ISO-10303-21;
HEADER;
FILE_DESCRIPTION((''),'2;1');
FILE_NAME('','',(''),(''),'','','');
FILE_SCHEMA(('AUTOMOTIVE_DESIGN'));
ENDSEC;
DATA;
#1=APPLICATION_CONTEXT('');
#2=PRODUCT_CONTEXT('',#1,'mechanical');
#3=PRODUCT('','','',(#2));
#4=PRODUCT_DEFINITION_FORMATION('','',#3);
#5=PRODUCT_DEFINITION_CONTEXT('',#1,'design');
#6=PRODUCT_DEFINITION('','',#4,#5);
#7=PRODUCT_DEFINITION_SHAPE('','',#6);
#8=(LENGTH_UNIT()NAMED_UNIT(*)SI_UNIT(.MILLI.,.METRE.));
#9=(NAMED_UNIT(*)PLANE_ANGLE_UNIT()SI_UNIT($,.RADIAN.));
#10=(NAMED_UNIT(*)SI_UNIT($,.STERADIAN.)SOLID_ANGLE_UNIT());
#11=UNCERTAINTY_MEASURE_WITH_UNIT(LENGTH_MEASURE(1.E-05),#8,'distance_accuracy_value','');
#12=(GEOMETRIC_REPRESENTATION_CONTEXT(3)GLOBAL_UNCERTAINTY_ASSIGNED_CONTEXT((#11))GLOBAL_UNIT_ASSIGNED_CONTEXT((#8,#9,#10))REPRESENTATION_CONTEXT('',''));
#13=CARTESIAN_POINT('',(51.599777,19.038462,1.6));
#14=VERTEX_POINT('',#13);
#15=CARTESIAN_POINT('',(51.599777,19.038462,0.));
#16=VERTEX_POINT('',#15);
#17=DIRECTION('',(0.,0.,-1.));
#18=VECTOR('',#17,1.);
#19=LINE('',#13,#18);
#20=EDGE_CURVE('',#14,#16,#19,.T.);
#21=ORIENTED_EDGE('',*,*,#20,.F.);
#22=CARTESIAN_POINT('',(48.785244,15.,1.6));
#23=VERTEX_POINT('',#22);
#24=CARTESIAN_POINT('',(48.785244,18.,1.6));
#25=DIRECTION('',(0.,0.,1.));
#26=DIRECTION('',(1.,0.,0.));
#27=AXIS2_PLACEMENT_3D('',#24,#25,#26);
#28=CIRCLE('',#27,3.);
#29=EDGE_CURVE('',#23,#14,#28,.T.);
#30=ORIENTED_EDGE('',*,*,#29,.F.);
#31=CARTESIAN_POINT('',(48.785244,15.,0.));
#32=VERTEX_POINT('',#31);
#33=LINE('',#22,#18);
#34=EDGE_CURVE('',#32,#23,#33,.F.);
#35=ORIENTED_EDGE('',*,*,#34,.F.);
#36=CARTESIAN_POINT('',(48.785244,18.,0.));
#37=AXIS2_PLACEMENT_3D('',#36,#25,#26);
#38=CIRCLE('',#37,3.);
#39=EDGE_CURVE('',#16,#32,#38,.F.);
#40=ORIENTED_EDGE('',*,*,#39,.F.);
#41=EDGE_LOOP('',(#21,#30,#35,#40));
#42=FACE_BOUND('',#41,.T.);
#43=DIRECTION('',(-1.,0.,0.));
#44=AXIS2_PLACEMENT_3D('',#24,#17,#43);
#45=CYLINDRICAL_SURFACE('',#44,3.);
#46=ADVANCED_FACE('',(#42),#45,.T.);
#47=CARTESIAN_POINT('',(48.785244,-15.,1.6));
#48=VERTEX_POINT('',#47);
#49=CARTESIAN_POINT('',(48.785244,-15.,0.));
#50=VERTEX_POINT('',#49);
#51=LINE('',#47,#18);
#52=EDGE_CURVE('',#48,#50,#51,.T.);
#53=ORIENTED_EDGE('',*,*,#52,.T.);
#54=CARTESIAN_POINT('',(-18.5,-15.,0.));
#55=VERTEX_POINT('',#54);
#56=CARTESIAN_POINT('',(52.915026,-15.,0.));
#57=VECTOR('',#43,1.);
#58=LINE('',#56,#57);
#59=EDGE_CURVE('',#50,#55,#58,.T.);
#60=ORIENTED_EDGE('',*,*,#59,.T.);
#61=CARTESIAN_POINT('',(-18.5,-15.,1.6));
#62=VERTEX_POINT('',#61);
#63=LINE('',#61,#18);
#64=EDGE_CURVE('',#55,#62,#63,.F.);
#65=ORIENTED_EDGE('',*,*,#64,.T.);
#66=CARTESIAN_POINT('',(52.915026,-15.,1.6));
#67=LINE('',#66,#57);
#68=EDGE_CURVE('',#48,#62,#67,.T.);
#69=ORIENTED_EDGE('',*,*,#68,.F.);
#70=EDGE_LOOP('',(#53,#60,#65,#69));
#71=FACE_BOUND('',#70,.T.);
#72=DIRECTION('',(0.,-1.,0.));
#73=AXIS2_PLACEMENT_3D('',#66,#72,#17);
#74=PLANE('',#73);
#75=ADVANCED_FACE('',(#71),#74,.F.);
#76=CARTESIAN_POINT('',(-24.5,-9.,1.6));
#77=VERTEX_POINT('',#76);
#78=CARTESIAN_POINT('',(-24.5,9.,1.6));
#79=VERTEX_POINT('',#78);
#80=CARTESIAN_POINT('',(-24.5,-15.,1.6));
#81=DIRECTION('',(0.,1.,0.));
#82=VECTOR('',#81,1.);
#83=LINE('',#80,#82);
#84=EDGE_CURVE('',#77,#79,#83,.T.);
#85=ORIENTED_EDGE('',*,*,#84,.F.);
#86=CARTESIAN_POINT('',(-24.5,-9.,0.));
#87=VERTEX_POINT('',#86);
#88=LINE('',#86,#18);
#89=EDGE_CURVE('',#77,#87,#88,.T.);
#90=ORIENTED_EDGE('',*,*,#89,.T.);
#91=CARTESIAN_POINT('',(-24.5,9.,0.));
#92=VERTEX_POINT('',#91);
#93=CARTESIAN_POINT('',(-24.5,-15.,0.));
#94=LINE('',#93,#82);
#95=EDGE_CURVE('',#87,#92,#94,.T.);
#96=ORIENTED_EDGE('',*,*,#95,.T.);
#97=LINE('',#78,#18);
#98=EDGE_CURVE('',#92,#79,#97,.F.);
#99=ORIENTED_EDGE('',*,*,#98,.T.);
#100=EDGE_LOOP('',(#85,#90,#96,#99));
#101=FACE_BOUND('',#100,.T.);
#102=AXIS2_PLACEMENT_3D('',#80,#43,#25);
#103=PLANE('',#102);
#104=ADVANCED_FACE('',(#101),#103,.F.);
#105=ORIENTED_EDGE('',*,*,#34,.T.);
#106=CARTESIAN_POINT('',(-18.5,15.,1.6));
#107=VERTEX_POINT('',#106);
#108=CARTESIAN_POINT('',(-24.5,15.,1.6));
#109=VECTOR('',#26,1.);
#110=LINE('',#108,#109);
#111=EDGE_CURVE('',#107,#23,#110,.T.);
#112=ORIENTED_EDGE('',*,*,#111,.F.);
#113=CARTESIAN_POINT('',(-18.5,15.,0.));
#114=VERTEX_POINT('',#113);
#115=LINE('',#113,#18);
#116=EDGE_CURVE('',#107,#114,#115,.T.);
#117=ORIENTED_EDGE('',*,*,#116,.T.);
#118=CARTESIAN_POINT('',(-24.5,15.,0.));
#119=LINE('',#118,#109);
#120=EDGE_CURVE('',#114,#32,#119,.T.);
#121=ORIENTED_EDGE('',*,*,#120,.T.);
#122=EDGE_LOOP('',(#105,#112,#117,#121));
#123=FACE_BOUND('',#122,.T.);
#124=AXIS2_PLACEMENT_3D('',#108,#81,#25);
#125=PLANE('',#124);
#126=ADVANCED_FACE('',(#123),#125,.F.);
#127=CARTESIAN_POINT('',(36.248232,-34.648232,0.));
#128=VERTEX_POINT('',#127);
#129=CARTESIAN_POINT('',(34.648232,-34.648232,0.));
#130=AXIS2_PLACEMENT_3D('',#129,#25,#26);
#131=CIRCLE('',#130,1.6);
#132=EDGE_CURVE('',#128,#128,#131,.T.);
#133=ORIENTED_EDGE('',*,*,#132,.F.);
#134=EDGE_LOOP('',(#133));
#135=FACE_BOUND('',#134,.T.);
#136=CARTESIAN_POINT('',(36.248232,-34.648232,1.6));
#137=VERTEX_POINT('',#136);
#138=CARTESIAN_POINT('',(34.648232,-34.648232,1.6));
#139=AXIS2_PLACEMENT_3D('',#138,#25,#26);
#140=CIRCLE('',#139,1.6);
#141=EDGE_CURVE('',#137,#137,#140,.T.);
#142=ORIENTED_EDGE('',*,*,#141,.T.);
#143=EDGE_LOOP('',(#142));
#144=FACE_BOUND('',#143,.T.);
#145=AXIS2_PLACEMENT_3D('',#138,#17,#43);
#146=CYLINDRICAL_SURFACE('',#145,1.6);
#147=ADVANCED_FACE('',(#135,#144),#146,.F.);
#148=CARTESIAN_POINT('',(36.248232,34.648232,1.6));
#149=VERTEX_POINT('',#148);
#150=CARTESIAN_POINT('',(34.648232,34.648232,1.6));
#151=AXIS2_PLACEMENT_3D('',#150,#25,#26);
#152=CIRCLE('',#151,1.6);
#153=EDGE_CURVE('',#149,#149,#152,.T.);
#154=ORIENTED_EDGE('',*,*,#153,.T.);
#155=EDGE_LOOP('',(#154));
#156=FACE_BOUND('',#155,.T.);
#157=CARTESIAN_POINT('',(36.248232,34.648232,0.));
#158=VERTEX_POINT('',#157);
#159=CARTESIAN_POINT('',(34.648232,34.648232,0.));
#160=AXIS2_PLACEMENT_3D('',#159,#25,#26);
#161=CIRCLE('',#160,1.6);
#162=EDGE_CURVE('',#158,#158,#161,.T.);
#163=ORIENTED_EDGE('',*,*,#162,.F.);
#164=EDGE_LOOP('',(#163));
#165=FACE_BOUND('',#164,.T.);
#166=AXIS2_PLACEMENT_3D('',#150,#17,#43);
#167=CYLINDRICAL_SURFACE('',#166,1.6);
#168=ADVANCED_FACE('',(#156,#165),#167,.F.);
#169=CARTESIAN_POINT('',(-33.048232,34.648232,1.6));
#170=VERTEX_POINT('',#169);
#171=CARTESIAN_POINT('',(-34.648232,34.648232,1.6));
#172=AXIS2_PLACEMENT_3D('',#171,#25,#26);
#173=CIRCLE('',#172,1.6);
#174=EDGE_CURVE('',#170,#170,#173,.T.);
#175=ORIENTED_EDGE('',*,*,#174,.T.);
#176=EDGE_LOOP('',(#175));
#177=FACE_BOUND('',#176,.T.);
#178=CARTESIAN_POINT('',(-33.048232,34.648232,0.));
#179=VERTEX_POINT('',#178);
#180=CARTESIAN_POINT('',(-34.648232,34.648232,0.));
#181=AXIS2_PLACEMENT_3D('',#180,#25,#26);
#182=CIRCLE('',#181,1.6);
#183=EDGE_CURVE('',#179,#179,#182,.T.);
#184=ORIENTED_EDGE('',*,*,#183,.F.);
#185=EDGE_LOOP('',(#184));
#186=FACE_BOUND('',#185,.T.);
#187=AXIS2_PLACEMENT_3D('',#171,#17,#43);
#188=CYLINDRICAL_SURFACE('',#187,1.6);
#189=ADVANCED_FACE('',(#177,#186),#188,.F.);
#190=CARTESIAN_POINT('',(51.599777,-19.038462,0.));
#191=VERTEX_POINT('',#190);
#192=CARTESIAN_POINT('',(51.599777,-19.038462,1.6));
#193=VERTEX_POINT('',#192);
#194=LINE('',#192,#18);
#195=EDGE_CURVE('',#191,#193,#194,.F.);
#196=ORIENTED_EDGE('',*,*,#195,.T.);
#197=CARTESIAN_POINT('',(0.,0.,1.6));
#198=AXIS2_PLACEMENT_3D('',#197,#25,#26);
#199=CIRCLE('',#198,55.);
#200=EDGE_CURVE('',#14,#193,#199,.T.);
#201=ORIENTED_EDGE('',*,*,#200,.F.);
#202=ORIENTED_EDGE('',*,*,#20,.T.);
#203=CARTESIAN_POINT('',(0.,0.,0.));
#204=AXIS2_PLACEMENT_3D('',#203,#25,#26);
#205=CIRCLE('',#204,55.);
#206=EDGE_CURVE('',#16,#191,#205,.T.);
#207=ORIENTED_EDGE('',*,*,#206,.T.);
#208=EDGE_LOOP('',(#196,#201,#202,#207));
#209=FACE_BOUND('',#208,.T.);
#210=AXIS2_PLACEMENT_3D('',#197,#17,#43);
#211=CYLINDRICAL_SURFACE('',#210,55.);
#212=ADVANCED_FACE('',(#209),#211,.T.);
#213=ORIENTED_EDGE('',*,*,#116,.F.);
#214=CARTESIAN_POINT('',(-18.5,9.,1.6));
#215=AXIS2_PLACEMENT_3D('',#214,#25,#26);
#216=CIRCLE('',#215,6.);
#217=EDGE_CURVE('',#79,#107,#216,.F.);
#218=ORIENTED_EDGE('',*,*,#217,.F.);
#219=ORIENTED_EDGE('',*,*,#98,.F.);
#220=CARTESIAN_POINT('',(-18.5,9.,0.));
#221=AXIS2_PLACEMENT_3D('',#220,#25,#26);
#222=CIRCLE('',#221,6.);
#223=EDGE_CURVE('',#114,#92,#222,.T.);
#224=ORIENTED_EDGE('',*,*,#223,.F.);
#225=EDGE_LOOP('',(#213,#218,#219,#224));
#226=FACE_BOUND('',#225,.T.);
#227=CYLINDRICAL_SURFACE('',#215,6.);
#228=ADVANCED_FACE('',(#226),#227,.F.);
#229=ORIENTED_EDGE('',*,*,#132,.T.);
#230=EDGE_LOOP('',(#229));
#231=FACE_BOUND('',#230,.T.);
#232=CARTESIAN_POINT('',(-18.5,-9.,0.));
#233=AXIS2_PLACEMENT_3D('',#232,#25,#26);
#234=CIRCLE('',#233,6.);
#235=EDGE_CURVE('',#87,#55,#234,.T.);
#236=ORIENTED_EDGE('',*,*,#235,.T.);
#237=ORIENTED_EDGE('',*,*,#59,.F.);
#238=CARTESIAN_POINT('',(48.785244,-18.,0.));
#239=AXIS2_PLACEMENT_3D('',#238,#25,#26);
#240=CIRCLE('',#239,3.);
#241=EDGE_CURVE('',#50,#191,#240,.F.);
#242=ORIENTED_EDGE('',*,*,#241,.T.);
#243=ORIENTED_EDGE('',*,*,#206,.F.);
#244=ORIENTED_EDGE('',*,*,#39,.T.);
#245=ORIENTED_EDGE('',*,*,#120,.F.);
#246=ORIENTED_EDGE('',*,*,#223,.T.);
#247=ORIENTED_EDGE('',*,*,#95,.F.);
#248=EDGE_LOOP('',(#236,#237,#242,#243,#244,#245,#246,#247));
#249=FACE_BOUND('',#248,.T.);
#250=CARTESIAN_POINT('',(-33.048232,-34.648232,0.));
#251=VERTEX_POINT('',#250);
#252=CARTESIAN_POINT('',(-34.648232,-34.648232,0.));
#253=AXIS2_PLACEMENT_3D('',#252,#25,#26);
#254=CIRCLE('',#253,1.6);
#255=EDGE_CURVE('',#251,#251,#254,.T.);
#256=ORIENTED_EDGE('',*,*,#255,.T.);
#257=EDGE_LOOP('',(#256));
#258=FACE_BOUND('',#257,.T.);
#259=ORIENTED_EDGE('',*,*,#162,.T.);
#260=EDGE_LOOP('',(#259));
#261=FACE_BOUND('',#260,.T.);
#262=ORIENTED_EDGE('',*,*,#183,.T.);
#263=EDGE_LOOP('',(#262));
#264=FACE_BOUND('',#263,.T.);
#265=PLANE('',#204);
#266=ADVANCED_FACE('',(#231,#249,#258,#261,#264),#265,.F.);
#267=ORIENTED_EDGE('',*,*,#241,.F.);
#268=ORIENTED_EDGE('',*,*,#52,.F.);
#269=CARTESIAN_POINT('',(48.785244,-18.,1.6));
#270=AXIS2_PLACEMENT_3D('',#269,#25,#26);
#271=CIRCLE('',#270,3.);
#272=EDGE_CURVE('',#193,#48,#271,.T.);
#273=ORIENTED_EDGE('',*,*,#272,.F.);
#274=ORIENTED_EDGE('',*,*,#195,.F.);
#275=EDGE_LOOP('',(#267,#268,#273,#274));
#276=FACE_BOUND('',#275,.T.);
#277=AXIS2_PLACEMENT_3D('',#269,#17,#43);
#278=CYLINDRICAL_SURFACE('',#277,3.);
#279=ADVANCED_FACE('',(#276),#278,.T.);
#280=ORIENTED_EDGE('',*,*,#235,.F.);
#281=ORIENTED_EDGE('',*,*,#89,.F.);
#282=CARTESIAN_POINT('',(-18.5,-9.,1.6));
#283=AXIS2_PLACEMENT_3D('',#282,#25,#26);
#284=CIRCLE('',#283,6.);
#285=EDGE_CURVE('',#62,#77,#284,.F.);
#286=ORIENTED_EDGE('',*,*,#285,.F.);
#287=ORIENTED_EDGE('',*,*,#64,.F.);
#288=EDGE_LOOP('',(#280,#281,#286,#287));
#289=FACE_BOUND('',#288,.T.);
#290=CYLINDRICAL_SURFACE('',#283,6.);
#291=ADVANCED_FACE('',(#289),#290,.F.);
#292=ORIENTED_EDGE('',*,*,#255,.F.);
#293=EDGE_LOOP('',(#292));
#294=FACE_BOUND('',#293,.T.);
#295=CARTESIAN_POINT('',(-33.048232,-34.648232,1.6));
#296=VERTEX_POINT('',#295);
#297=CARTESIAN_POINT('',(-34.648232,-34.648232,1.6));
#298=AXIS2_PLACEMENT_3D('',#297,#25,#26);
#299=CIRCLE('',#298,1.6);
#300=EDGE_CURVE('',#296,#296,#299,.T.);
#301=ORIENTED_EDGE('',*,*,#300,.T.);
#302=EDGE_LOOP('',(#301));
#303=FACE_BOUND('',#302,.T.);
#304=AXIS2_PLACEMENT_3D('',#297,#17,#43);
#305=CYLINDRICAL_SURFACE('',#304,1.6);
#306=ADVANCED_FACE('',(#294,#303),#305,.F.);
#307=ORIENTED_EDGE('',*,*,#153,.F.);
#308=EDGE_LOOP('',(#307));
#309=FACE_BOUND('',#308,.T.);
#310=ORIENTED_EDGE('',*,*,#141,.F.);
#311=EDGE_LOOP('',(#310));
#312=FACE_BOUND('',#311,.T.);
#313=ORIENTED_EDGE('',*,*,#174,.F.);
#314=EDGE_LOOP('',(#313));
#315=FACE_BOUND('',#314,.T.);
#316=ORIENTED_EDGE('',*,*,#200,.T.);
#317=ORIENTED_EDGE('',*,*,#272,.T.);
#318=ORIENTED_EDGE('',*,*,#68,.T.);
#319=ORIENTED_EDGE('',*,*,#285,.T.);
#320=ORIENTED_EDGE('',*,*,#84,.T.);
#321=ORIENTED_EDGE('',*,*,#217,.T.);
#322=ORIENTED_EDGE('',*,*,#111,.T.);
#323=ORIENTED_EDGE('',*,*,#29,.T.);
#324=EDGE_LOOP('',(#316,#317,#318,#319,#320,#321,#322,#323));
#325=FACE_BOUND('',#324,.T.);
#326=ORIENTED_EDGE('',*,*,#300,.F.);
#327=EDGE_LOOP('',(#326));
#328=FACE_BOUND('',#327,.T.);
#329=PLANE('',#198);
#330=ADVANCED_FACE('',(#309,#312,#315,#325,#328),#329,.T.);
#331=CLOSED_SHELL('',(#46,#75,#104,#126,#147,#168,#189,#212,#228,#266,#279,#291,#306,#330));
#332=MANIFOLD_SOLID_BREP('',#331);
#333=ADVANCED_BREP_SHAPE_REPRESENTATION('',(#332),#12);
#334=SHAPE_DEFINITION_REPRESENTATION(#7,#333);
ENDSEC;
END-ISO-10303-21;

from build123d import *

# Parameters (mm, degrees)
SKETCH_1_R      = 1.6
EXTRUDE_1_DEPTH = 1.6
FILLET_1_R      = 6
FILLET_2_R      = 3


with BuildPart() as part:
    # 草圖1 → 填料-伸長1 (new body)
    with BuildSketch(Plane.XY):
        with BuildLine():
            Line((52.915026221, -15), (-24.5, -15))
            Line((-24.5, -15), (-24.5, 15))
            Line((-24.5, 15), (52.915026221, 15))
            ThreePointArc((52.915026221, 15), (-55, 0), (52.915026221, -15))
        make_face()
        with Locations((34.648232278, 34.648232278)):
            Circle(SKETCH_1_R, mode=Mode.SUBTRACT)
        with Locations((-34.648232278, 34.648232278)):
            Circle(SKETCH_1_R, mode=Mode.SUBTRACT)
        with Locations((-34.648232278, -34.648232278)):
            Circle(SKETCH_1_R, mode=Mode.SUBTRACT)
        with Locations((34.648232278, -34.648232278)):
            Circle(SKETCH_1_R, mode=Mode.SUBTRACT)
    extrude(amount=EXTRUDE_1_DEPTH)

    # 圓角1
    fillet_1_edges = [part.edges().sort_by_distance(p)[0] for p in [
        (-24.5, 15, 0.8),
        (-24.5, -15, 0.8),
    ]]
    fillet(fillet_1_edges, radius=FILLET_1_R)

    # 圓角2
    fillet_2_edges = [part.edges().sort_by_distance(p)[0] for p in [
        (52.915026221, 15, 0.8),
        (52.915026221, -15, 0.8),
    ]]
    fillet(fillet_2_edges, radius=FILLET_2_R)


solid = part.part
